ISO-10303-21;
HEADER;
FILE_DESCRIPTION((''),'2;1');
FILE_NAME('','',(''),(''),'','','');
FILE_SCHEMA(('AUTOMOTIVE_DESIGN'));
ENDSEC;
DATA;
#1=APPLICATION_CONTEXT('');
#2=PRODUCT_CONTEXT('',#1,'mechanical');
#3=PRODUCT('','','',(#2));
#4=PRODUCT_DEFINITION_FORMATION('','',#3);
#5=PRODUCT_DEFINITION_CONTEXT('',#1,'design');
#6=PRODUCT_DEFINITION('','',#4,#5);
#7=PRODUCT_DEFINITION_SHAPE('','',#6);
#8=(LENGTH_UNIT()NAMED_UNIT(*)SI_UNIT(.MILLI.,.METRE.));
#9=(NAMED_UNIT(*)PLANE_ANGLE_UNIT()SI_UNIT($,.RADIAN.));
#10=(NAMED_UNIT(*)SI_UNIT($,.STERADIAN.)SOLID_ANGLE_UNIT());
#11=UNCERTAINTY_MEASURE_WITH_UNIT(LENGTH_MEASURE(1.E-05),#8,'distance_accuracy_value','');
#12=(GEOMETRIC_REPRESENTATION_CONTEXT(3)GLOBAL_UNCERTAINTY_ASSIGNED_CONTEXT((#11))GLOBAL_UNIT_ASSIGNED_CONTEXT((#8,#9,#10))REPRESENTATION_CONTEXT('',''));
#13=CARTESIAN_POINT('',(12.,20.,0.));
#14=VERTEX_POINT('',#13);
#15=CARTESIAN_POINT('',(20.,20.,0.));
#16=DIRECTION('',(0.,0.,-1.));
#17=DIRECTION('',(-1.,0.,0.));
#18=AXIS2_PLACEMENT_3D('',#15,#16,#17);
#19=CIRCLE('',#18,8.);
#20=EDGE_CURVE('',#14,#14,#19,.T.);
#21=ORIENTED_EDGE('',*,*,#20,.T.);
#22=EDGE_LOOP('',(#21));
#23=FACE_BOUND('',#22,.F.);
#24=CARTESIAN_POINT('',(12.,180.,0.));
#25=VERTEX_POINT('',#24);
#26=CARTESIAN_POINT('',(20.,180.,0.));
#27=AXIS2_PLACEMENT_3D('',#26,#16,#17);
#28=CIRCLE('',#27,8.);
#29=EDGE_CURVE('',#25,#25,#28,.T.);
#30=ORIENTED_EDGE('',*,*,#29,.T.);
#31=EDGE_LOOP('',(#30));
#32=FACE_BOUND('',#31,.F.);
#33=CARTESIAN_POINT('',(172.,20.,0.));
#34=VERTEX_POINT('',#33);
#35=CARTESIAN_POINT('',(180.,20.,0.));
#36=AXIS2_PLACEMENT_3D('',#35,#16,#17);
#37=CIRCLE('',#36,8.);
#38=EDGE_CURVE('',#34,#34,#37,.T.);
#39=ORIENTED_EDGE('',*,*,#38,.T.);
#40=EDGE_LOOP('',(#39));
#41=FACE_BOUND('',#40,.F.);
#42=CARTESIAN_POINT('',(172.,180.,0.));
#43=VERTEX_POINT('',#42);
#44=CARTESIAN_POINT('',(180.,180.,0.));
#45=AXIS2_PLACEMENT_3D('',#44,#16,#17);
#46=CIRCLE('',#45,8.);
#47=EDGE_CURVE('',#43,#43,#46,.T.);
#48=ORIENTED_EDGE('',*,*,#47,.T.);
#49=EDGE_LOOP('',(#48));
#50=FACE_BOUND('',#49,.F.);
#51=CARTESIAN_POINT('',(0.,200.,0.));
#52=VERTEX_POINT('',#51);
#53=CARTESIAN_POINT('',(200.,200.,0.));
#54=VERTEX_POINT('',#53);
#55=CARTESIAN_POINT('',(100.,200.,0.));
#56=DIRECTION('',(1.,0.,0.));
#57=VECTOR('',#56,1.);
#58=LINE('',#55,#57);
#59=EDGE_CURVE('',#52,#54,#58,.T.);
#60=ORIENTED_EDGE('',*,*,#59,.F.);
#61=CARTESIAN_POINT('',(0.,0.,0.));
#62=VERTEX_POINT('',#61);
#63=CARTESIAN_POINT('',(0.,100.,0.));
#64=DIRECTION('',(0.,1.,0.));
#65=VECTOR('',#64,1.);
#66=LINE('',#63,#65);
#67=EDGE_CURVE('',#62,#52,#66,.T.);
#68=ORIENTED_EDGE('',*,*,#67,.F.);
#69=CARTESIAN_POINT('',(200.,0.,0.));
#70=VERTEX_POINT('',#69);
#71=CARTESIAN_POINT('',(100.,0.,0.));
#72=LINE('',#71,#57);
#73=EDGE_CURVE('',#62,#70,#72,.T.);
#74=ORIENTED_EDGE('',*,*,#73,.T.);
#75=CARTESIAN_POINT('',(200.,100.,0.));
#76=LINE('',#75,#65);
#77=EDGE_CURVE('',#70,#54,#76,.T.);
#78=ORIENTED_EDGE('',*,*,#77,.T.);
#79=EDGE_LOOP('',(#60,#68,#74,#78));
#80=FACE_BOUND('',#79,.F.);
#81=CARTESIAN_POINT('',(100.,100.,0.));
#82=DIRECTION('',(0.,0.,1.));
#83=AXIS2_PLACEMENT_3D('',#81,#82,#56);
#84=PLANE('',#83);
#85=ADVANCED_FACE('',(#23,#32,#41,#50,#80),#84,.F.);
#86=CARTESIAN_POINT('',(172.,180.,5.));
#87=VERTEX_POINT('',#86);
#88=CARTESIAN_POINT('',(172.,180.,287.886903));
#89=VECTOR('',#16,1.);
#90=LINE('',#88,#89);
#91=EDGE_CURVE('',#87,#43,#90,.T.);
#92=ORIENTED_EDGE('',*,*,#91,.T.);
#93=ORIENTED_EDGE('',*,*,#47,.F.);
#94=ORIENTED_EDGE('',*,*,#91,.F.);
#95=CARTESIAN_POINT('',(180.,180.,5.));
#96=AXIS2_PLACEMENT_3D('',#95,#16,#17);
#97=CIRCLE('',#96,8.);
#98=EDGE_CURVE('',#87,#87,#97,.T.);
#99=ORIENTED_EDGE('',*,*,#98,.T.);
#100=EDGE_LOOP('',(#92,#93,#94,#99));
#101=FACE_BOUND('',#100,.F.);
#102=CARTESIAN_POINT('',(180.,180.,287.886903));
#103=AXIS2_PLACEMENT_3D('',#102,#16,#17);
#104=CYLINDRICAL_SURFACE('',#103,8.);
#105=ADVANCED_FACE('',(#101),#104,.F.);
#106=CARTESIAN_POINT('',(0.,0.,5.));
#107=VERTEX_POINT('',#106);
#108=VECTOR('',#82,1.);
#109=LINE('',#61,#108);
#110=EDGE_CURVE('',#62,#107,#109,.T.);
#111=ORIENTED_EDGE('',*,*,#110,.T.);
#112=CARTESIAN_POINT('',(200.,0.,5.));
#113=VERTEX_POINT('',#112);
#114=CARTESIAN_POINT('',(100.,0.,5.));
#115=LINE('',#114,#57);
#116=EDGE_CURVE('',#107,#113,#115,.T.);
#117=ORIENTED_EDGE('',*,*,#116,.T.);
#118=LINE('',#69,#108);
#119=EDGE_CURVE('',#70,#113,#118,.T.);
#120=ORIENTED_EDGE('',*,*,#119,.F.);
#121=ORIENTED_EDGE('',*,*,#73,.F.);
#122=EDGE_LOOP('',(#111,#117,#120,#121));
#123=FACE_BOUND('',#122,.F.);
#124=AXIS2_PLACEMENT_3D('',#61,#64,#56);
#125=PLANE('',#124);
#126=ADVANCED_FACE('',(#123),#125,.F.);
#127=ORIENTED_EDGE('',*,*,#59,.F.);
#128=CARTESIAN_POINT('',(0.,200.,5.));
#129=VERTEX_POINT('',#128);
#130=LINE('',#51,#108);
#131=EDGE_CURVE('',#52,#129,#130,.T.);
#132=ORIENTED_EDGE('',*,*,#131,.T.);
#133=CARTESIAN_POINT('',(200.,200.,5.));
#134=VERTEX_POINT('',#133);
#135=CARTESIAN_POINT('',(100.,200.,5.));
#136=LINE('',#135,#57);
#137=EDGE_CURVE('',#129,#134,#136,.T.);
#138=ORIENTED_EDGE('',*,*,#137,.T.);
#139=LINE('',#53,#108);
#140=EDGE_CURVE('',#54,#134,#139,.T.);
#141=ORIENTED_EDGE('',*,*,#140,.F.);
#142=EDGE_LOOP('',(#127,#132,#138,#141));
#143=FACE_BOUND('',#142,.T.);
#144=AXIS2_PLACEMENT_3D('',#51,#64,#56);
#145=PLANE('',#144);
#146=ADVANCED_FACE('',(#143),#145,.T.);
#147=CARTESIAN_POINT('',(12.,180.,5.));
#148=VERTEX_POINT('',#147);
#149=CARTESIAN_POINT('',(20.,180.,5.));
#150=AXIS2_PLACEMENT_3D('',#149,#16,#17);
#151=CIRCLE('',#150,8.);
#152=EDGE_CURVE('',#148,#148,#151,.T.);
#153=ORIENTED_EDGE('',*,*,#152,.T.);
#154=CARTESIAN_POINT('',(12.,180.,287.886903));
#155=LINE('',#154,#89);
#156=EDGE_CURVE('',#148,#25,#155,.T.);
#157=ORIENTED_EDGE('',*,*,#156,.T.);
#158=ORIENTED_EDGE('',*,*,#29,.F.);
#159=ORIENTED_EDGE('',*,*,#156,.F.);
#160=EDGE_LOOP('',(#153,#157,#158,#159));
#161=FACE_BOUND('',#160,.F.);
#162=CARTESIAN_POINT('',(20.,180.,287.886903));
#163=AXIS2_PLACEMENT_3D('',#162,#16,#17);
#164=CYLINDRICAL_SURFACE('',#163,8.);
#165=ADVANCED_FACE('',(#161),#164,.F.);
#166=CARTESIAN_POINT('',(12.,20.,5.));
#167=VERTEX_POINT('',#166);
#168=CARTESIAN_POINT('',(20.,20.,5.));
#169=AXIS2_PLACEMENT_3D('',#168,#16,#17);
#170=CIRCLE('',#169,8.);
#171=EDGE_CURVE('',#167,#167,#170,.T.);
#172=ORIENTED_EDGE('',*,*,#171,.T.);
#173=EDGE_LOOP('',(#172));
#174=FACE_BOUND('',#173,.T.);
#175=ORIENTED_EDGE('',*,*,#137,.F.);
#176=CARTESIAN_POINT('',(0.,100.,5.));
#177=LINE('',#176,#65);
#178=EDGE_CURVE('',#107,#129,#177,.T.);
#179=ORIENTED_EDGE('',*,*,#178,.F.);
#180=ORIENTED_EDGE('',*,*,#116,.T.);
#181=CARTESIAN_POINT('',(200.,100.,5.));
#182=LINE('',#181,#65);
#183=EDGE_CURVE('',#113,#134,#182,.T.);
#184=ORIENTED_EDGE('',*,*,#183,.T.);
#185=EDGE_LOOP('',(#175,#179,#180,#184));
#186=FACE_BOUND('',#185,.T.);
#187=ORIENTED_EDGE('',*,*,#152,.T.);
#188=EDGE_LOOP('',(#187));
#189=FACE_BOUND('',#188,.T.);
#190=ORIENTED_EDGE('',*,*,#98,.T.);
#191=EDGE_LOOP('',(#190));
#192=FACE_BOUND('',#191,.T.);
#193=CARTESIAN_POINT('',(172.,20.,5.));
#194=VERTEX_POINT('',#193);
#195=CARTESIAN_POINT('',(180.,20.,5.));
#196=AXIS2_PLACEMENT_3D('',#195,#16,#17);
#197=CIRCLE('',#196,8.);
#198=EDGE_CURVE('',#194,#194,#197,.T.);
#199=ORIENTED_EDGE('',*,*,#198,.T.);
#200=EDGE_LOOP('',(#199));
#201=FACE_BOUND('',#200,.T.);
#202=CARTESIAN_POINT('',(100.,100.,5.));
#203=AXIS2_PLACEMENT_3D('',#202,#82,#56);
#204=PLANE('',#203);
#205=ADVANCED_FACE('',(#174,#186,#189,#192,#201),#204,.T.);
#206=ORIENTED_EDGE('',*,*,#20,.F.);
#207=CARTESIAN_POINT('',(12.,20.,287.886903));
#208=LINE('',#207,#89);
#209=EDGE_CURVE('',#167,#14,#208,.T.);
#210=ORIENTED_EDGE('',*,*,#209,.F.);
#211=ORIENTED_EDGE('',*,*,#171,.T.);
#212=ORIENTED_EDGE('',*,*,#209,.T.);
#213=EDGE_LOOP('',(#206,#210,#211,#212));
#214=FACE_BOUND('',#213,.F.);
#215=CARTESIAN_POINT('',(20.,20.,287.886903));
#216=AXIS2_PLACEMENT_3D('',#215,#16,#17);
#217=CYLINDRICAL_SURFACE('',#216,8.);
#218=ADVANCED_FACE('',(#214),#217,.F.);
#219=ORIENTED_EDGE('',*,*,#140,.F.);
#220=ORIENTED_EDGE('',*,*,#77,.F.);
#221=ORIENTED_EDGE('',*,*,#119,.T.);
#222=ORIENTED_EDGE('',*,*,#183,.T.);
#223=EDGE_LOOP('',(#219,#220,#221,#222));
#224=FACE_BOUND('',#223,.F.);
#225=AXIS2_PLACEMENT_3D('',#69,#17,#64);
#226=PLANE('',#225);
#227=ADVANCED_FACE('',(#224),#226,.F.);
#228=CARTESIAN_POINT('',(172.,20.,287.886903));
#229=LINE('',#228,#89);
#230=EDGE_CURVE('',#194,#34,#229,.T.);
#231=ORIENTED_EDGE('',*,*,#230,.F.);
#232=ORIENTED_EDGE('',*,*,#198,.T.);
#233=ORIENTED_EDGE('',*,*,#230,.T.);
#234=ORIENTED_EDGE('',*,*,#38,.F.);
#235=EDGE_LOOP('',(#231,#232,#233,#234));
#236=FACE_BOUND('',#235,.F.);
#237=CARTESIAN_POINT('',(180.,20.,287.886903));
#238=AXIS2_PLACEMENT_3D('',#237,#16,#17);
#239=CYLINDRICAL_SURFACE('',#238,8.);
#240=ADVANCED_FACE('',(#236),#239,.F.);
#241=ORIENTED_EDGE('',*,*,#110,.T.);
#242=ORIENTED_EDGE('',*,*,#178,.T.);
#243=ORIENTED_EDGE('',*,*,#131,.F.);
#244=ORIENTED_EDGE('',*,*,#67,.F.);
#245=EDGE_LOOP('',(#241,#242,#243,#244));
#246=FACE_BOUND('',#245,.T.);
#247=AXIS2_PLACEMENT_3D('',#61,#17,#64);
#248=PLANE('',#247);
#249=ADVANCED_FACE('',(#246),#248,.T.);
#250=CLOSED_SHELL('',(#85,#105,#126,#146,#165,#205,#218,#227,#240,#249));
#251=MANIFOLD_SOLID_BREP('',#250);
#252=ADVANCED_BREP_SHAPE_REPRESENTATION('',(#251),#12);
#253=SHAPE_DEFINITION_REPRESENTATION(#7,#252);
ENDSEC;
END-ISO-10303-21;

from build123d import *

# Parameters (mm, degrees)
F0_W     = 200
F0_H     = 200
F1_DEPTH = 5
F3_D     = 16


with BuildPart() as f1:
    # F0 (on Top) → F1 (new body)
    with BuildSketch(Plane.XY):
        with Locations((100, 100)):
            Rectangle(F0_W, F0_H)
    extrude(amount=F1_DEPTH)

    # F3 (through all)
    with Locations(Plane.XY.offset(5)):
        with Locations((180, 20), (20, 20), (180, 180), (20, 180)):
            Hole(F3_D / 2)


solid = f1.part
